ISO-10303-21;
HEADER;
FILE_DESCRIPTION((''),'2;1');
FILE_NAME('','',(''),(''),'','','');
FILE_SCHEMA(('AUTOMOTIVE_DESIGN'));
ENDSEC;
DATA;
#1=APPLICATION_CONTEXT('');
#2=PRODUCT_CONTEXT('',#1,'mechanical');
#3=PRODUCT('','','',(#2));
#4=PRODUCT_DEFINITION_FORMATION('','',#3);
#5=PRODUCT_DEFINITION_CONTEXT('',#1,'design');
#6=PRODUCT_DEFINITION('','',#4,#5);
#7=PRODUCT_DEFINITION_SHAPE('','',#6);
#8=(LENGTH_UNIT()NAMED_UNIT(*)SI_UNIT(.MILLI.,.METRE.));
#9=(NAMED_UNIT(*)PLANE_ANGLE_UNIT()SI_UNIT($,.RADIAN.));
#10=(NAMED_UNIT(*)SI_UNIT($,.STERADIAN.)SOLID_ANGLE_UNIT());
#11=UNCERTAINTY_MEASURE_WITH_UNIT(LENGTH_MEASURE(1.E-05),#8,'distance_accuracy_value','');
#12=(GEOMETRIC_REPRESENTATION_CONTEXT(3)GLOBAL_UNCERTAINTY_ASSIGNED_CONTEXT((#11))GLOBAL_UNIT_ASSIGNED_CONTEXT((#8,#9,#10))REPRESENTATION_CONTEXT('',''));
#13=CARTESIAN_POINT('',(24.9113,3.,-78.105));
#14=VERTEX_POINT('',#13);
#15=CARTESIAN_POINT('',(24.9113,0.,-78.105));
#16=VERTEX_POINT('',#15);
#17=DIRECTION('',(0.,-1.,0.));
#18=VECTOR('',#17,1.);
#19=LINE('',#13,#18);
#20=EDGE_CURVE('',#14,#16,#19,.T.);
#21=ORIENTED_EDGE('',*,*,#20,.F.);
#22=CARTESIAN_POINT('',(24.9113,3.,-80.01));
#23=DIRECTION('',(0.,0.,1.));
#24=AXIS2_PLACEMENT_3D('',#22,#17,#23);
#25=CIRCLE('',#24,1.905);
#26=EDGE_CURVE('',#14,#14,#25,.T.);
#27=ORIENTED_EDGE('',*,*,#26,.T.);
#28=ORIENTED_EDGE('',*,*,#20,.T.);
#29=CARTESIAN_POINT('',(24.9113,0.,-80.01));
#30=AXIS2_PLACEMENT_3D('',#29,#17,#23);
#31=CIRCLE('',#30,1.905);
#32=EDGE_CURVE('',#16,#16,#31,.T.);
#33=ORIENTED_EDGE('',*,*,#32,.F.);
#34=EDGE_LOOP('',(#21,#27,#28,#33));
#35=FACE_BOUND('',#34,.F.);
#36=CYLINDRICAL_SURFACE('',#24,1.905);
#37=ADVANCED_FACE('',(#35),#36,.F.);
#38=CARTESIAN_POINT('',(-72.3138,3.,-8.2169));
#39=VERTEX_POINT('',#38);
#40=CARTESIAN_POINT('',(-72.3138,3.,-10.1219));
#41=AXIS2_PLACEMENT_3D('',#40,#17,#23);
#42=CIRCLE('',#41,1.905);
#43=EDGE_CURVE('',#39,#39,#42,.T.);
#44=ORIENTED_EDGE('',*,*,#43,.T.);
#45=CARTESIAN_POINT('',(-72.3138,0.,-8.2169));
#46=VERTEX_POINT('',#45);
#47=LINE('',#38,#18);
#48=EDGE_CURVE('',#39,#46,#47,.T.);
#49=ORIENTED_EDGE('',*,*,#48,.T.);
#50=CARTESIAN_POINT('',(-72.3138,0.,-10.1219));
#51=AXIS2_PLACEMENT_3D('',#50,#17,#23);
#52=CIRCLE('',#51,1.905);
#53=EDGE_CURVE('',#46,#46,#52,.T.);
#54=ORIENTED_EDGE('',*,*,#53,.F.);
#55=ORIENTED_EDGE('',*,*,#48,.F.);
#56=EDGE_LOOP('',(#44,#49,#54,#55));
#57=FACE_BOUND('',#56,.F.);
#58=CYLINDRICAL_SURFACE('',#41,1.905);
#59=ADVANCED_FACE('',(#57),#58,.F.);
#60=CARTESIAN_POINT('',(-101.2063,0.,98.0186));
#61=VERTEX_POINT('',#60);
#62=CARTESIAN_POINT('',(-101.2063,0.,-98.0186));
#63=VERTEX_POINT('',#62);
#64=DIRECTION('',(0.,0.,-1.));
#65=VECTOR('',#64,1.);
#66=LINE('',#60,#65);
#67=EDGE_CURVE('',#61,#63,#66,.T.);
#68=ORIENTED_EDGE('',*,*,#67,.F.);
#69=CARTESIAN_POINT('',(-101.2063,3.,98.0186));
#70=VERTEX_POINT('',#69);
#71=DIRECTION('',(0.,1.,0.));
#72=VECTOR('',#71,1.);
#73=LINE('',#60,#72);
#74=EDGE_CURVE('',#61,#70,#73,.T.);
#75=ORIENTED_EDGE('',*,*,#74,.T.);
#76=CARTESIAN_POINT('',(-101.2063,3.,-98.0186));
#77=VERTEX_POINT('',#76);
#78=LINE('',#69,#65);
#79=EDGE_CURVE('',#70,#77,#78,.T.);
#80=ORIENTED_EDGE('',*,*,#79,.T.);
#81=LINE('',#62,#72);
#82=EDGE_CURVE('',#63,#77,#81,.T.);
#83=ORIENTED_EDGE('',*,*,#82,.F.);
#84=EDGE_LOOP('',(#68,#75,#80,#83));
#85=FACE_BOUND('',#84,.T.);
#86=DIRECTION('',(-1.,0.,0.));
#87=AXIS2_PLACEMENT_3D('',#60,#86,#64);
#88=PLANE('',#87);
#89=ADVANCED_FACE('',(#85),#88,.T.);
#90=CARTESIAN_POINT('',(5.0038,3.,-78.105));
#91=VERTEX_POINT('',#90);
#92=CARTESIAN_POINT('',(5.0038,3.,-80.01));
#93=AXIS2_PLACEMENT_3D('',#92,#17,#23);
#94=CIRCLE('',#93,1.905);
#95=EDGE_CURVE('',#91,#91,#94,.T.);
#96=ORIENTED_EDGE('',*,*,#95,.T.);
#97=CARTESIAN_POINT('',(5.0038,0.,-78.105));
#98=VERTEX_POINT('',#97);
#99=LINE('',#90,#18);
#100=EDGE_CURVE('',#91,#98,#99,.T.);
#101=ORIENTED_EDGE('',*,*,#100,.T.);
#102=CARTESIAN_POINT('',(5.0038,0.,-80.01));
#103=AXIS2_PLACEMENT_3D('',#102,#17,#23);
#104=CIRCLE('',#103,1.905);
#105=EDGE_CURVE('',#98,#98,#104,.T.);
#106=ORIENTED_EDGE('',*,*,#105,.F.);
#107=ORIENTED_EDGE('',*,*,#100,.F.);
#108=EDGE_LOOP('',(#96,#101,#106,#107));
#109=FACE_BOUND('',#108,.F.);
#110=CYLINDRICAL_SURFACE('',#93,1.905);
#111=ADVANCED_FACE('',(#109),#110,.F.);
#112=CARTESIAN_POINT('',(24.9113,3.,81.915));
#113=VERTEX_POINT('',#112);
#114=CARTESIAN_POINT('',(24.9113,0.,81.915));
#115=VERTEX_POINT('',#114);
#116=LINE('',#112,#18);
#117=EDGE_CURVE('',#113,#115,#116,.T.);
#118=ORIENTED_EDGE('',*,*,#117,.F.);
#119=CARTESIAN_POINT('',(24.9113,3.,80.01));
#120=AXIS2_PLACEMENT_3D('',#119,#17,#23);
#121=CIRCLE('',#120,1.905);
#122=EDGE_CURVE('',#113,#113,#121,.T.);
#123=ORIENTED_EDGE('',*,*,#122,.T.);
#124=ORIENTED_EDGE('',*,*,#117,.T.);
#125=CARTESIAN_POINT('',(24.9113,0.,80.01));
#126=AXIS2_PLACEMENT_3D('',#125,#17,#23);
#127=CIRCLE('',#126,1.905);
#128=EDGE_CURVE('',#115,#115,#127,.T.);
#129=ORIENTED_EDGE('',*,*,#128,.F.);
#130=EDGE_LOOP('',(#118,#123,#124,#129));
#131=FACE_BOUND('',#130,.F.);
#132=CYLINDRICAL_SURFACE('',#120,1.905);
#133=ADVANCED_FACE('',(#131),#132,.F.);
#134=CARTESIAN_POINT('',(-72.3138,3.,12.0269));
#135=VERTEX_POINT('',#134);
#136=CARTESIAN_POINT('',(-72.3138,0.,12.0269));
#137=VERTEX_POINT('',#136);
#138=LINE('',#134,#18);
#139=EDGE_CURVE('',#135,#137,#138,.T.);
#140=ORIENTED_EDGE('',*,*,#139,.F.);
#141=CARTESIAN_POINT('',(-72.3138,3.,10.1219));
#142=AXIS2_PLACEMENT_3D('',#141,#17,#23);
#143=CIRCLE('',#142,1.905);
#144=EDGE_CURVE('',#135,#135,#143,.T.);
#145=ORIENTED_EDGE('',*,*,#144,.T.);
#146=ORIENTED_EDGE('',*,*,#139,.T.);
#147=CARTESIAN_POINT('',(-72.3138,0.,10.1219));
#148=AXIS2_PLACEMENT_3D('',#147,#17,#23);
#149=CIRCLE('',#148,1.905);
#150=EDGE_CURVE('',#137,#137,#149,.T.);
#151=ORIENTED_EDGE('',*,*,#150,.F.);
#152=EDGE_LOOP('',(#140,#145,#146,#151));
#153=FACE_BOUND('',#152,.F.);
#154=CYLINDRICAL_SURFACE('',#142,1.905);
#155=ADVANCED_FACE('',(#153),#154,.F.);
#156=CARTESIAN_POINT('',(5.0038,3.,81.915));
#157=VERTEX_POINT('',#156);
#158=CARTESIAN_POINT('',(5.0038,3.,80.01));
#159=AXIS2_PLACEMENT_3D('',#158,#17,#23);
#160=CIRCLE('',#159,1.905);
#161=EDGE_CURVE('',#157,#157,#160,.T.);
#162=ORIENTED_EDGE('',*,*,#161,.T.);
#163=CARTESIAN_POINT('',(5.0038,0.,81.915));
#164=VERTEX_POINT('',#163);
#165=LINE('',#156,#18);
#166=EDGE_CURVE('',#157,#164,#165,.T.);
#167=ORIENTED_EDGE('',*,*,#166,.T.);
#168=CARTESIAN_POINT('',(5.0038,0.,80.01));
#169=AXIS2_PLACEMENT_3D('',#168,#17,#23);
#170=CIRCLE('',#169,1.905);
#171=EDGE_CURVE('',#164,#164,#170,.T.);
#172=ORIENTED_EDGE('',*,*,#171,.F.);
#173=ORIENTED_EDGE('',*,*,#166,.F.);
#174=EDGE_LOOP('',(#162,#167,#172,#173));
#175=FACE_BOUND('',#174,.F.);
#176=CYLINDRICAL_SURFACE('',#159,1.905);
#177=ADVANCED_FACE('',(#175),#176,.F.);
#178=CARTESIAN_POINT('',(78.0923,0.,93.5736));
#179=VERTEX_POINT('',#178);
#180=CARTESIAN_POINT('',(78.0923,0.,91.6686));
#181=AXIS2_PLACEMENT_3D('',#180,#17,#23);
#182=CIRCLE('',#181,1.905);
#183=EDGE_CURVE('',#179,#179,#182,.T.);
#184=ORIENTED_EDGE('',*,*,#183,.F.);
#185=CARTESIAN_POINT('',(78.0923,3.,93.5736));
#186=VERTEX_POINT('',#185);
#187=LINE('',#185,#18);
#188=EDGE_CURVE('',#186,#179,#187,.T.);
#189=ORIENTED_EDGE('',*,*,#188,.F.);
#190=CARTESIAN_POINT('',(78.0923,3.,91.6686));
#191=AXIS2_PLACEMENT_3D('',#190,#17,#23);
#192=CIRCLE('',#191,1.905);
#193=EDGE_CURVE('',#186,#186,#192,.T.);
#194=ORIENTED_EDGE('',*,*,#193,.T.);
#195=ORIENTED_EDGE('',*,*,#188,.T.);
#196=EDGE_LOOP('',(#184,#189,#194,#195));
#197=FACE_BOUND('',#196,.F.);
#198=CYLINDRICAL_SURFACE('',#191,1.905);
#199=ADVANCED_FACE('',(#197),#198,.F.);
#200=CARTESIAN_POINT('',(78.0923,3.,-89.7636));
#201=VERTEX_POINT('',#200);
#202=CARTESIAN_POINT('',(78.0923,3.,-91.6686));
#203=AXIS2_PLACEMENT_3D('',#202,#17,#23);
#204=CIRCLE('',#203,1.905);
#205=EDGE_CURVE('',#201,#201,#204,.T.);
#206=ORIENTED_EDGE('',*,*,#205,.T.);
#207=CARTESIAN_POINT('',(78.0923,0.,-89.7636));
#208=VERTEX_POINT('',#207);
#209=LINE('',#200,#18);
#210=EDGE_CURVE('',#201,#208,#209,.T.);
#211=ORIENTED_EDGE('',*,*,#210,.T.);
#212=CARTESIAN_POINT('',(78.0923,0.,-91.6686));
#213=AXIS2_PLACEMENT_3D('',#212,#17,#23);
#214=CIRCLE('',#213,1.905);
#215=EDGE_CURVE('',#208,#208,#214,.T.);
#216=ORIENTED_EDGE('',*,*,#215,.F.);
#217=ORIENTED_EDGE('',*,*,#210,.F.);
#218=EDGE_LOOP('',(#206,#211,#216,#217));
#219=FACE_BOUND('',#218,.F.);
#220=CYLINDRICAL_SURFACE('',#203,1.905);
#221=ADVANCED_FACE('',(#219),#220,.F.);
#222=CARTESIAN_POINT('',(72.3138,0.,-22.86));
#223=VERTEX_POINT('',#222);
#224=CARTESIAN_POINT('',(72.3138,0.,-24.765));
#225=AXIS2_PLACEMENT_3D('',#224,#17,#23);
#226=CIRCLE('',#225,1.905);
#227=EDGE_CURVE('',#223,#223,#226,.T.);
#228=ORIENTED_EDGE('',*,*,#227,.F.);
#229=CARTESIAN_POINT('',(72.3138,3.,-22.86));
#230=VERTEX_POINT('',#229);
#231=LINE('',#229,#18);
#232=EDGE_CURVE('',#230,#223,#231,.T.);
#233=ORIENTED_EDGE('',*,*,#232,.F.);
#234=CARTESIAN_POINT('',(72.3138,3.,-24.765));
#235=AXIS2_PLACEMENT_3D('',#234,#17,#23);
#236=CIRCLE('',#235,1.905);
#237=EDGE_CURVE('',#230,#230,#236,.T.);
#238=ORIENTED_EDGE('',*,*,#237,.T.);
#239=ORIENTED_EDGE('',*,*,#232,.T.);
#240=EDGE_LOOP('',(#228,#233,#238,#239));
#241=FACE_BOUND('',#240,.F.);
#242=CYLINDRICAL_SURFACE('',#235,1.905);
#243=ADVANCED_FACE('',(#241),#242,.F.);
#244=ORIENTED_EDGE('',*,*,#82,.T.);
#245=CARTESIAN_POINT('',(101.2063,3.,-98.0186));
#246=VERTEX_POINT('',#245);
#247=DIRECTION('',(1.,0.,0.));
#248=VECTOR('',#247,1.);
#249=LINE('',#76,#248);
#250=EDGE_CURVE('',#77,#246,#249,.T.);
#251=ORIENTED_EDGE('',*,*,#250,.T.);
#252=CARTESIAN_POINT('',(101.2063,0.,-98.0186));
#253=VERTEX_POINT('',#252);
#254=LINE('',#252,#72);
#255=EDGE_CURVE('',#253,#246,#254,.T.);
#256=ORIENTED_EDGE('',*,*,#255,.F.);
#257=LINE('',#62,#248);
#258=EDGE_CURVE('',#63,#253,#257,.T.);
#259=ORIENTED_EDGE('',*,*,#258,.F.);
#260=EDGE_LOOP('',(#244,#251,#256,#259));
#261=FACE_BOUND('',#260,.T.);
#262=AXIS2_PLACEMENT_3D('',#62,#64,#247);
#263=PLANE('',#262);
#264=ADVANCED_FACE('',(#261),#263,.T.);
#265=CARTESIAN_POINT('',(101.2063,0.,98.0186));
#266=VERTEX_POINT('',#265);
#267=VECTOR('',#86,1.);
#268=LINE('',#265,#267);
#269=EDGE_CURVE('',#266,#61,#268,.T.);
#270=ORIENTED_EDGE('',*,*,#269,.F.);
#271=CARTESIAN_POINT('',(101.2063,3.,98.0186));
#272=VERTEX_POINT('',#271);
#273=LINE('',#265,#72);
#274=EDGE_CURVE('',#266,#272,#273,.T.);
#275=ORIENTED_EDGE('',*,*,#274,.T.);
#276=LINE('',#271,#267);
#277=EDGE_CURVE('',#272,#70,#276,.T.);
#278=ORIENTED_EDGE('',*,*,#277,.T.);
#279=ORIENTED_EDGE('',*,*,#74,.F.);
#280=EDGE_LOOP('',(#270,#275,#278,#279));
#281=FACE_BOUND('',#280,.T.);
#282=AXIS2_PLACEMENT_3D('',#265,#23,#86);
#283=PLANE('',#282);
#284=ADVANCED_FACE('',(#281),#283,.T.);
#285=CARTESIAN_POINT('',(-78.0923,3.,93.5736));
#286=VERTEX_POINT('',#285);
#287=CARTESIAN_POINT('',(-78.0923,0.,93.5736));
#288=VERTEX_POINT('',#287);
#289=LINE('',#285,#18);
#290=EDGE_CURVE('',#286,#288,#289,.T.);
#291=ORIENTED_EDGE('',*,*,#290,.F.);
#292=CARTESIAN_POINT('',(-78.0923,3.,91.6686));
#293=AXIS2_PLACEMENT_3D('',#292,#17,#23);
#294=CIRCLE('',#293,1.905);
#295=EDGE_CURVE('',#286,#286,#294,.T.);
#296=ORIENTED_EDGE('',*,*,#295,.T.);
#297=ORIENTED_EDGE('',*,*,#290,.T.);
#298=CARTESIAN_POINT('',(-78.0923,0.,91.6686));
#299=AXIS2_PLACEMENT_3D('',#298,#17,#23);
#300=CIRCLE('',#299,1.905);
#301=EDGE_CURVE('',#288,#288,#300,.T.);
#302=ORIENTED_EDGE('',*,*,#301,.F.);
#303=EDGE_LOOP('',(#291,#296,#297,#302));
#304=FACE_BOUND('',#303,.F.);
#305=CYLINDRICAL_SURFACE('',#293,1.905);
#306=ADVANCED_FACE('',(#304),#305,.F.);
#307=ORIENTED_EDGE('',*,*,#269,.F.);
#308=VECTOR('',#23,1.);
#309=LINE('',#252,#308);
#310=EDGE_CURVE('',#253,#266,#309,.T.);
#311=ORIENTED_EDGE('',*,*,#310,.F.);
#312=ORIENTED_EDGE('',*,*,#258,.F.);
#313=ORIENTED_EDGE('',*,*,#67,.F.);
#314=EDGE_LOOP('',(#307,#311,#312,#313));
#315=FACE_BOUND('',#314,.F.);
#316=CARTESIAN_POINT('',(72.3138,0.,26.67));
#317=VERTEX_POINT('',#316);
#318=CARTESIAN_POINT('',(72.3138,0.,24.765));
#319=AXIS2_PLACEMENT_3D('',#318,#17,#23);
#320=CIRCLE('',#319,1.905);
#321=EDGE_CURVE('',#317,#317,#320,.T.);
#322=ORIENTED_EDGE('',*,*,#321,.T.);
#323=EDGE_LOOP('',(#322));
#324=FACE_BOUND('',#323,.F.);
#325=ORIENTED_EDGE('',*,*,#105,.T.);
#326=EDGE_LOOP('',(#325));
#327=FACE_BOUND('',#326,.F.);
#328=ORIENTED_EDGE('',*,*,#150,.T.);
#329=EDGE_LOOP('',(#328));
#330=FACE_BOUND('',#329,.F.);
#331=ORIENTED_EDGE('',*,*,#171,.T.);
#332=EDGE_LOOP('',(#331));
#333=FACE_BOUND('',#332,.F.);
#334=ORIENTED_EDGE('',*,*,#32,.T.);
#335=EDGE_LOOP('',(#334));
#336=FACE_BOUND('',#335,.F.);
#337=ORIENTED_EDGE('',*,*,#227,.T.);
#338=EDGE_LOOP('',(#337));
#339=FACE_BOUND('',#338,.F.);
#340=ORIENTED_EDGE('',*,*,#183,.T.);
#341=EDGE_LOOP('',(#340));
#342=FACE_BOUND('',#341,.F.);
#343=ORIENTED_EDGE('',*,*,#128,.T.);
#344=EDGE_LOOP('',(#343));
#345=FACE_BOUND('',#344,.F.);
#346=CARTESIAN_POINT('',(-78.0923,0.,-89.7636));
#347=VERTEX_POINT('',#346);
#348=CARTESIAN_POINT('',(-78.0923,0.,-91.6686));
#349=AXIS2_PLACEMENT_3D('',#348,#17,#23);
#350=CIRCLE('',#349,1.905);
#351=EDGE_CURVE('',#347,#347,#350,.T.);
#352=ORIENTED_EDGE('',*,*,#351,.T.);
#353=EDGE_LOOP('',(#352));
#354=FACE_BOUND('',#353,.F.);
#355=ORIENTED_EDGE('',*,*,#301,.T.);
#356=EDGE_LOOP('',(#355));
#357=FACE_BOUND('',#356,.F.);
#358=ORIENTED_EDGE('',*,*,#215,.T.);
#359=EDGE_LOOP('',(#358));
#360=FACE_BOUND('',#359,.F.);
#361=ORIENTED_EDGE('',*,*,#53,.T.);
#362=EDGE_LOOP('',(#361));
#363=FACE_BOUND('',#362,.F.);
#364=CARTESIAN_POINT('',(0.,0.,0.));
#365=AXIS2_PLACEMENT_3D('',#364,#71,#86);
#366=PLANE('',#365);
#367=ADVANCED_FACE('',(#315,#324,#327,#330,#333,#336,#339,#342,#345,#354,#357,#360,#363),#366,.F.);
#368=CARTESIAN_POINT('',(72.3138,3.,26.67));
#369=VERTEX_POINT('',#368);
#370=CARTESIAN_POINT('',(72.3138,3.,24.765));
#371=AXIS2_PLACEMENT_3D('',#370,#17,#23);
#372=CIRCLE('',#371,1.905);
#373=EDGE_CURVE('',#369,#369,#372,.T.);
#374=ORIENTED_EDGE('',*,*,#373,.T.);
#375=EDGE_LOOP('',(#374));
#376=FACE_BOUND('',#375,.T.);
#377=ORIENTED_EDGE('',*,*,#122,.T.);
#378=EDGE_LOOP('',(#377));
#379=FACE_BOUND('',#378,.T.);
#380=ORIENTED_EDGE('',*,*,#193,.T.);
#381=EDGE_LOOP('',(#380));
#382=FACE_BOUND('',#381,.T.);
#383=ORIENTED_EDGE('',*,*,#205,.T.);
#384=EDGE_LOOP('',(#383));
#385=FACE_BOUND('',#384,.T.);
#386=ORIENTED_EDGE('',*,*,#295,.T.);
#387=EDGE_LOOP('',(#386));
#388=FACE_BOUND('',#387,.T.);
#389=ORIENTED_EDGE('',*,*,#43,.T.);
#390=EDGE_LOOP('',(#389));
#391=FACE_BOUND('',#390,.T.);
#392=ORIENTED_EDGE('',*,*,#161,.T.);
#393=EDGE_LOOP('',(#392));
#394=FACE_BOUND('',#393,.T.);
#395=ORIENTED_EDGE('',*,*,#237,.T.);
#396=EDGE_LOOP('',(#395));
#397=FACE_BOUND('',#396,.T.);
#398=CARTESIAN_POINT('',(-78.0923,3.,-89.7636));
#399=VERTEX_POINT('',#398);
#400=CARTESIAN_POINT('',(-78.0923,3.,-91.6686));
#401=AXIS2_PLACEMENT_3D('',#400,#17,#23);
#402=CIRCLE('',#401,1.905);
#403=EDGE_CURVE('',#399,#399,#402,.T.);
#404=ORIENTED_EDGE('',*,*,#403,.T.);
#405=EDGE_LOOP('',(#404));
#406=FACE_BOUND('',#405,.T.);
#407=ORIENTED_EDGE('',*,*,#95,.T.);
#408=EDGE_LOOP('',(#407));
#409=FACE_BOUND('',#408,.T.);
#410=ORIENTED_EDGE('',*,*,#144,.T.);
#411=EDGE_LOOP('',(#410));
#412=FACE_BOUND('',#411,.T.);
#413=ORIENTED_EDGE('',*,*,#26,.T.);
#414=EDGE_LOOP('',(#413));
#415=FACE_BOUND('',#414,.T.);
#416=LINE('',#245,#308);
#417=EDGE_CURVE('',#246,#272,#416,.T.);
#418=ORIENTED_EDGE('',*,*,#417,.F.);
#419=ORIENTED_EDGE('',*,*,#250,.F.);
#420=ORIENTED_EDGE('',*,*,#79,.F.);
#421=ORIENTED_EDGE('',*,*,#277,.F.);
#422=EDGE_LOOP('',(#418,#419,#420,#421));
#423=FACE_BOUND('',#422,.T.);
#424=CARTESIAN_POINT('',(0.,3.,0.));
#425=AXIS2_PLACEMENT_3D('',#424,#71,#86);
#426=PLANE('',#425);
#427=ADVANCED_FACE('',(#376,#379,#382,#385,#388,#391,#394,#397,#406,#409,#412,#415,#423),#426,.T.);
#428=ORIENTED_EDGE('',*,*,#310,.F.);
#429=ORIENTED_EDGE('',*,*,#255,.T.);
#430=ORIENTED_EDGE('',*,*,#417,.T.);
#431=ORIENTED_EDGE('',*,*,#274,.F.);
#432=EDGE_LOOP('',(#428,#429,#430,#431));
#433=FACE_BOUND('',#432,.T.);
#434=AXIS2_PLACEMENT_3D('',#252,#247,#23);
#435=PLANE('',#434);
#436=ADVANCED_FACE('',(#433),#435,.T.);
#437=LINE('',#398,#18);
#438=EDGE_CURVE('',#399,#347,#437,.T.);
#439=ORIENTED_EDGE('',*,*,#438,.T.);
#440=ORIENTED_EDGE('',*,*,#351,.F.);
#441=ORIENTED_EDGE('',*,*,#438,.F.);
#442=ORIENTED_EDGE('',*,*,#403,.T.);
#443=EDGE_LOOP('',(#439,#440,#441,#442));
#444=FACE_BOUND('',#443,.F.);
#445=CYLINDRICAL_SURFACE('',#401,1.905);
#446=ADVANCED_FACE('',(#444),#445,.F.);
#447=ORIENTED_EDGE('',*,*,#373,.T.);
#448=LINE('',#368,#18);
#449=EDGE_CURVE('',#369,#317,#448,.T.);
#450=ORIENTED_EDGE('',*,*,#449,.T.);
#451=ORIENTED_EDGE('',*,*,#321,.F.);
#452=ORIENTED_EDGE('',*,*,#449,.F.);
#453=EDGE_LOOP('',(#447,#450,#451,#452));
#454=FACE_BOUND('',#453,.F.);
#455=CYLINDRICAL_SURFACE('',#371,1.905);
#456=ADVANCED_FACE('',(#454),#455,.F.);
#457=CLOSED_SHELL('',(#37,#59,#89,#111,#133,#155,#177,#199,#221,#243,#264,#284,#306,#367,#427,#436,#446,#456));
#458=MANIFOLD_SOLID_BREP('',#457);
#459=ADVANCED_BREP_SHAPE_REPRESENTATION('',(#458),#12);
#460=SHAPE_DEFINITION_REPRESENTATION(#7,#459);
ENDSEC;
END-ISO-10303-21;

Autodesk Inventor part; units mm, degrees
ref_plane "YZ Plane" through (0, 0, 0) normal (1, 0, 0) x (0, 1, 0)
ref_plane "XZ Plane" through (0, 0, 0) normal (0, 1, 0) x (-1, 0, 0)
ref_plane "XY Plane" through (0, 0, 0) normal (0, 0, 1) x (1, 0, 0)
sketch "Block1" plane through (0, 0, 0) normal (0, 0, 1) x (1, 0, 0)
  circle A0 centre (244.9891, 313.0766) radius 1.651
  circle A1 centre (305.4278, 286.7035) radius 1.651
  circle A2 centre (242.5353, 295.4667) radius 1.651
  circle A3 centre (307.8815, 304.3134) radius 1.651
  circle A4 centre (325.7478, 277.8135) radius 1.651
  circle A5 centre (227.9578, 277.8135) radius 1.651
  circle A6 centre (194.5568, 203.1375) radius 1.651
  circle A7 centre (325.7478, 166.5615) radius 1.651
  circle A8 centre (227.9578, 166.5615) radius 1.651
  circle A9 centre (247.0078, 166.5615) radius 1.651
  circle A10 centre (344.7978, 166.5615) radius 1.651
  circle A11 centre (194.5568, 241.2375) radius 1.651
  circle A12 centre (247.0078, 277.8135) radius 1.651
  circle A13 centre (344.7978, 277.8135) radius 1.651
  circle A14 centre (181.8568, 156.6555) radius 1.905
  circle A15 centre (181.8568, 312.8401) radius 1.905
  circle A16 centre (365.194, 312.8401) radius 1.905
  circle A17 centre (365.194, 156.6555) radius 1.905
  line L0 (371.544, 133.5415) -> (371.544, 335.9541)
  line L1 (175.5068, 133.5415) -> (371.544, 133.5415)
  line L2 (175.5068, 335.9541) -> (175.5068, 133.5415)
  line L3 (371.544, 335.9541) -> (175.5068, 335.9541)
  point P0 (271.6644, 239.9388)
sketch "Sketch2" plane through (0, 0, 0) normal (0, 1, 0) x (-1, 0, 0)
  line L0 (101.2063, -98.0186) -> (-101.2063, -98.0186)
  line L1 (-101.2063, -98.0186) -> (-101.2063, 98.0186)
  line L2 (-101.2063, 98.0186) -> (101.2063, 98.0186)
  line L3 (101.2063, 98.0186) -> (101.2063, -98.0186)
  point P0 (0, 0)
  point P1 (-101.2063, 0)
  point P2 (0, -98.0186)
  dimension "d2" = 196.0372
  dimension "d3" = 202.4126
extrude "Extrusion2" add sketch "Sketch2" along normal blind 3
sketch "Sketch3" plane through (0, 3, 0) normal (0, 1, 0) x (1, 0, 0)
  line L0 (101.2063, 98.0186) -> (-101.2063, 98.0186) projected
  line L1 (-101.2063, 98.0186) -> (-101.2063, -98.0186) projected
  line L2 (101.2063, -98.0186) -> (101.2063, 98.0186) projected
  line L3 (-101.2063, -98.0186) -> (101.2063, -98.0186) projected
  line L4 (101.2063, 0) -> (-101.2063, 0) construction
  line L5 (72.3138, 24.765) -> (101.2063, 24.765) construction
  line L6 (-72.3138, 10.1219) -> (-101.2063, 10.1219) construction
  point P0 (0, 0)
  point P1 (-78.0923, 91.6686)
  point P2 (78.0923, 91.6686)
  point P3 (-78.0923, -91.6686)
  point P4 (78.0923, -91.6686)
  point P5 (5.0038, 80.01)
  point P6 (24.9113, 80.01)
  point P7 (72.3138, -24.765)
  point P8 (5.0038, -80.01)
  point P9 (24.9113, -80.01)
  point P10 (-72.3138, -10.1219)
  dimension "d6" = 6.35
  dimension "d7" = 23.114
  dimension "d8" = 6.35
  dimension "d9" = 23.114
  dimension "d10" = 6.35
  dimension "d11" = 23.114
  dimension "d12" = 23.114
  dimension "d13" = 6.35
  dimension "d24" = 19.9075
  dimension "d25" = 49.53
  dimension "d26" = 72.7943
  dimension "d27" = 72.7943
  dimension "d28" = 24.765
  dimension "d29" = 160.02
  dimension "d31" = 20.2438
  dimension "d32" = 10.1219
  dimension "d33" = 144.6276
hole "Hole1" at (-78.0923, 3, -91.6686) at (78.0923, 3, -91.6686) at (-78.0923, 3, 91.6686) at (78.0923, 3, 91.6686) at (5.0038, 3, -80.01) at (24.9113, 3, -80.01) at (72.3138, 3, -24.765) at (72.3138, 3, 24.765) at (5.0038, 3, 80.01) at (24.9113, 3, 80.01) at (-72.3138, 3, -10.1219) at (-72.3138, 3, 10.1219) direction (0, -1, 0) diameter 3.81 end through all
equation "\"d8\" = d6"
equation "\"d9\" = d7"
equation "\"d10\" = d6"
equation "\"d11\" = d7"
equation "\"d12\" = d7"
equation "\"d13\" = d6"
equation "\"d27\" = d26"
equation "\"d28\" = 0.5 * d25"
equation "\"d32\" = 0.5 * d31"
properties part number "BottomPlate"
